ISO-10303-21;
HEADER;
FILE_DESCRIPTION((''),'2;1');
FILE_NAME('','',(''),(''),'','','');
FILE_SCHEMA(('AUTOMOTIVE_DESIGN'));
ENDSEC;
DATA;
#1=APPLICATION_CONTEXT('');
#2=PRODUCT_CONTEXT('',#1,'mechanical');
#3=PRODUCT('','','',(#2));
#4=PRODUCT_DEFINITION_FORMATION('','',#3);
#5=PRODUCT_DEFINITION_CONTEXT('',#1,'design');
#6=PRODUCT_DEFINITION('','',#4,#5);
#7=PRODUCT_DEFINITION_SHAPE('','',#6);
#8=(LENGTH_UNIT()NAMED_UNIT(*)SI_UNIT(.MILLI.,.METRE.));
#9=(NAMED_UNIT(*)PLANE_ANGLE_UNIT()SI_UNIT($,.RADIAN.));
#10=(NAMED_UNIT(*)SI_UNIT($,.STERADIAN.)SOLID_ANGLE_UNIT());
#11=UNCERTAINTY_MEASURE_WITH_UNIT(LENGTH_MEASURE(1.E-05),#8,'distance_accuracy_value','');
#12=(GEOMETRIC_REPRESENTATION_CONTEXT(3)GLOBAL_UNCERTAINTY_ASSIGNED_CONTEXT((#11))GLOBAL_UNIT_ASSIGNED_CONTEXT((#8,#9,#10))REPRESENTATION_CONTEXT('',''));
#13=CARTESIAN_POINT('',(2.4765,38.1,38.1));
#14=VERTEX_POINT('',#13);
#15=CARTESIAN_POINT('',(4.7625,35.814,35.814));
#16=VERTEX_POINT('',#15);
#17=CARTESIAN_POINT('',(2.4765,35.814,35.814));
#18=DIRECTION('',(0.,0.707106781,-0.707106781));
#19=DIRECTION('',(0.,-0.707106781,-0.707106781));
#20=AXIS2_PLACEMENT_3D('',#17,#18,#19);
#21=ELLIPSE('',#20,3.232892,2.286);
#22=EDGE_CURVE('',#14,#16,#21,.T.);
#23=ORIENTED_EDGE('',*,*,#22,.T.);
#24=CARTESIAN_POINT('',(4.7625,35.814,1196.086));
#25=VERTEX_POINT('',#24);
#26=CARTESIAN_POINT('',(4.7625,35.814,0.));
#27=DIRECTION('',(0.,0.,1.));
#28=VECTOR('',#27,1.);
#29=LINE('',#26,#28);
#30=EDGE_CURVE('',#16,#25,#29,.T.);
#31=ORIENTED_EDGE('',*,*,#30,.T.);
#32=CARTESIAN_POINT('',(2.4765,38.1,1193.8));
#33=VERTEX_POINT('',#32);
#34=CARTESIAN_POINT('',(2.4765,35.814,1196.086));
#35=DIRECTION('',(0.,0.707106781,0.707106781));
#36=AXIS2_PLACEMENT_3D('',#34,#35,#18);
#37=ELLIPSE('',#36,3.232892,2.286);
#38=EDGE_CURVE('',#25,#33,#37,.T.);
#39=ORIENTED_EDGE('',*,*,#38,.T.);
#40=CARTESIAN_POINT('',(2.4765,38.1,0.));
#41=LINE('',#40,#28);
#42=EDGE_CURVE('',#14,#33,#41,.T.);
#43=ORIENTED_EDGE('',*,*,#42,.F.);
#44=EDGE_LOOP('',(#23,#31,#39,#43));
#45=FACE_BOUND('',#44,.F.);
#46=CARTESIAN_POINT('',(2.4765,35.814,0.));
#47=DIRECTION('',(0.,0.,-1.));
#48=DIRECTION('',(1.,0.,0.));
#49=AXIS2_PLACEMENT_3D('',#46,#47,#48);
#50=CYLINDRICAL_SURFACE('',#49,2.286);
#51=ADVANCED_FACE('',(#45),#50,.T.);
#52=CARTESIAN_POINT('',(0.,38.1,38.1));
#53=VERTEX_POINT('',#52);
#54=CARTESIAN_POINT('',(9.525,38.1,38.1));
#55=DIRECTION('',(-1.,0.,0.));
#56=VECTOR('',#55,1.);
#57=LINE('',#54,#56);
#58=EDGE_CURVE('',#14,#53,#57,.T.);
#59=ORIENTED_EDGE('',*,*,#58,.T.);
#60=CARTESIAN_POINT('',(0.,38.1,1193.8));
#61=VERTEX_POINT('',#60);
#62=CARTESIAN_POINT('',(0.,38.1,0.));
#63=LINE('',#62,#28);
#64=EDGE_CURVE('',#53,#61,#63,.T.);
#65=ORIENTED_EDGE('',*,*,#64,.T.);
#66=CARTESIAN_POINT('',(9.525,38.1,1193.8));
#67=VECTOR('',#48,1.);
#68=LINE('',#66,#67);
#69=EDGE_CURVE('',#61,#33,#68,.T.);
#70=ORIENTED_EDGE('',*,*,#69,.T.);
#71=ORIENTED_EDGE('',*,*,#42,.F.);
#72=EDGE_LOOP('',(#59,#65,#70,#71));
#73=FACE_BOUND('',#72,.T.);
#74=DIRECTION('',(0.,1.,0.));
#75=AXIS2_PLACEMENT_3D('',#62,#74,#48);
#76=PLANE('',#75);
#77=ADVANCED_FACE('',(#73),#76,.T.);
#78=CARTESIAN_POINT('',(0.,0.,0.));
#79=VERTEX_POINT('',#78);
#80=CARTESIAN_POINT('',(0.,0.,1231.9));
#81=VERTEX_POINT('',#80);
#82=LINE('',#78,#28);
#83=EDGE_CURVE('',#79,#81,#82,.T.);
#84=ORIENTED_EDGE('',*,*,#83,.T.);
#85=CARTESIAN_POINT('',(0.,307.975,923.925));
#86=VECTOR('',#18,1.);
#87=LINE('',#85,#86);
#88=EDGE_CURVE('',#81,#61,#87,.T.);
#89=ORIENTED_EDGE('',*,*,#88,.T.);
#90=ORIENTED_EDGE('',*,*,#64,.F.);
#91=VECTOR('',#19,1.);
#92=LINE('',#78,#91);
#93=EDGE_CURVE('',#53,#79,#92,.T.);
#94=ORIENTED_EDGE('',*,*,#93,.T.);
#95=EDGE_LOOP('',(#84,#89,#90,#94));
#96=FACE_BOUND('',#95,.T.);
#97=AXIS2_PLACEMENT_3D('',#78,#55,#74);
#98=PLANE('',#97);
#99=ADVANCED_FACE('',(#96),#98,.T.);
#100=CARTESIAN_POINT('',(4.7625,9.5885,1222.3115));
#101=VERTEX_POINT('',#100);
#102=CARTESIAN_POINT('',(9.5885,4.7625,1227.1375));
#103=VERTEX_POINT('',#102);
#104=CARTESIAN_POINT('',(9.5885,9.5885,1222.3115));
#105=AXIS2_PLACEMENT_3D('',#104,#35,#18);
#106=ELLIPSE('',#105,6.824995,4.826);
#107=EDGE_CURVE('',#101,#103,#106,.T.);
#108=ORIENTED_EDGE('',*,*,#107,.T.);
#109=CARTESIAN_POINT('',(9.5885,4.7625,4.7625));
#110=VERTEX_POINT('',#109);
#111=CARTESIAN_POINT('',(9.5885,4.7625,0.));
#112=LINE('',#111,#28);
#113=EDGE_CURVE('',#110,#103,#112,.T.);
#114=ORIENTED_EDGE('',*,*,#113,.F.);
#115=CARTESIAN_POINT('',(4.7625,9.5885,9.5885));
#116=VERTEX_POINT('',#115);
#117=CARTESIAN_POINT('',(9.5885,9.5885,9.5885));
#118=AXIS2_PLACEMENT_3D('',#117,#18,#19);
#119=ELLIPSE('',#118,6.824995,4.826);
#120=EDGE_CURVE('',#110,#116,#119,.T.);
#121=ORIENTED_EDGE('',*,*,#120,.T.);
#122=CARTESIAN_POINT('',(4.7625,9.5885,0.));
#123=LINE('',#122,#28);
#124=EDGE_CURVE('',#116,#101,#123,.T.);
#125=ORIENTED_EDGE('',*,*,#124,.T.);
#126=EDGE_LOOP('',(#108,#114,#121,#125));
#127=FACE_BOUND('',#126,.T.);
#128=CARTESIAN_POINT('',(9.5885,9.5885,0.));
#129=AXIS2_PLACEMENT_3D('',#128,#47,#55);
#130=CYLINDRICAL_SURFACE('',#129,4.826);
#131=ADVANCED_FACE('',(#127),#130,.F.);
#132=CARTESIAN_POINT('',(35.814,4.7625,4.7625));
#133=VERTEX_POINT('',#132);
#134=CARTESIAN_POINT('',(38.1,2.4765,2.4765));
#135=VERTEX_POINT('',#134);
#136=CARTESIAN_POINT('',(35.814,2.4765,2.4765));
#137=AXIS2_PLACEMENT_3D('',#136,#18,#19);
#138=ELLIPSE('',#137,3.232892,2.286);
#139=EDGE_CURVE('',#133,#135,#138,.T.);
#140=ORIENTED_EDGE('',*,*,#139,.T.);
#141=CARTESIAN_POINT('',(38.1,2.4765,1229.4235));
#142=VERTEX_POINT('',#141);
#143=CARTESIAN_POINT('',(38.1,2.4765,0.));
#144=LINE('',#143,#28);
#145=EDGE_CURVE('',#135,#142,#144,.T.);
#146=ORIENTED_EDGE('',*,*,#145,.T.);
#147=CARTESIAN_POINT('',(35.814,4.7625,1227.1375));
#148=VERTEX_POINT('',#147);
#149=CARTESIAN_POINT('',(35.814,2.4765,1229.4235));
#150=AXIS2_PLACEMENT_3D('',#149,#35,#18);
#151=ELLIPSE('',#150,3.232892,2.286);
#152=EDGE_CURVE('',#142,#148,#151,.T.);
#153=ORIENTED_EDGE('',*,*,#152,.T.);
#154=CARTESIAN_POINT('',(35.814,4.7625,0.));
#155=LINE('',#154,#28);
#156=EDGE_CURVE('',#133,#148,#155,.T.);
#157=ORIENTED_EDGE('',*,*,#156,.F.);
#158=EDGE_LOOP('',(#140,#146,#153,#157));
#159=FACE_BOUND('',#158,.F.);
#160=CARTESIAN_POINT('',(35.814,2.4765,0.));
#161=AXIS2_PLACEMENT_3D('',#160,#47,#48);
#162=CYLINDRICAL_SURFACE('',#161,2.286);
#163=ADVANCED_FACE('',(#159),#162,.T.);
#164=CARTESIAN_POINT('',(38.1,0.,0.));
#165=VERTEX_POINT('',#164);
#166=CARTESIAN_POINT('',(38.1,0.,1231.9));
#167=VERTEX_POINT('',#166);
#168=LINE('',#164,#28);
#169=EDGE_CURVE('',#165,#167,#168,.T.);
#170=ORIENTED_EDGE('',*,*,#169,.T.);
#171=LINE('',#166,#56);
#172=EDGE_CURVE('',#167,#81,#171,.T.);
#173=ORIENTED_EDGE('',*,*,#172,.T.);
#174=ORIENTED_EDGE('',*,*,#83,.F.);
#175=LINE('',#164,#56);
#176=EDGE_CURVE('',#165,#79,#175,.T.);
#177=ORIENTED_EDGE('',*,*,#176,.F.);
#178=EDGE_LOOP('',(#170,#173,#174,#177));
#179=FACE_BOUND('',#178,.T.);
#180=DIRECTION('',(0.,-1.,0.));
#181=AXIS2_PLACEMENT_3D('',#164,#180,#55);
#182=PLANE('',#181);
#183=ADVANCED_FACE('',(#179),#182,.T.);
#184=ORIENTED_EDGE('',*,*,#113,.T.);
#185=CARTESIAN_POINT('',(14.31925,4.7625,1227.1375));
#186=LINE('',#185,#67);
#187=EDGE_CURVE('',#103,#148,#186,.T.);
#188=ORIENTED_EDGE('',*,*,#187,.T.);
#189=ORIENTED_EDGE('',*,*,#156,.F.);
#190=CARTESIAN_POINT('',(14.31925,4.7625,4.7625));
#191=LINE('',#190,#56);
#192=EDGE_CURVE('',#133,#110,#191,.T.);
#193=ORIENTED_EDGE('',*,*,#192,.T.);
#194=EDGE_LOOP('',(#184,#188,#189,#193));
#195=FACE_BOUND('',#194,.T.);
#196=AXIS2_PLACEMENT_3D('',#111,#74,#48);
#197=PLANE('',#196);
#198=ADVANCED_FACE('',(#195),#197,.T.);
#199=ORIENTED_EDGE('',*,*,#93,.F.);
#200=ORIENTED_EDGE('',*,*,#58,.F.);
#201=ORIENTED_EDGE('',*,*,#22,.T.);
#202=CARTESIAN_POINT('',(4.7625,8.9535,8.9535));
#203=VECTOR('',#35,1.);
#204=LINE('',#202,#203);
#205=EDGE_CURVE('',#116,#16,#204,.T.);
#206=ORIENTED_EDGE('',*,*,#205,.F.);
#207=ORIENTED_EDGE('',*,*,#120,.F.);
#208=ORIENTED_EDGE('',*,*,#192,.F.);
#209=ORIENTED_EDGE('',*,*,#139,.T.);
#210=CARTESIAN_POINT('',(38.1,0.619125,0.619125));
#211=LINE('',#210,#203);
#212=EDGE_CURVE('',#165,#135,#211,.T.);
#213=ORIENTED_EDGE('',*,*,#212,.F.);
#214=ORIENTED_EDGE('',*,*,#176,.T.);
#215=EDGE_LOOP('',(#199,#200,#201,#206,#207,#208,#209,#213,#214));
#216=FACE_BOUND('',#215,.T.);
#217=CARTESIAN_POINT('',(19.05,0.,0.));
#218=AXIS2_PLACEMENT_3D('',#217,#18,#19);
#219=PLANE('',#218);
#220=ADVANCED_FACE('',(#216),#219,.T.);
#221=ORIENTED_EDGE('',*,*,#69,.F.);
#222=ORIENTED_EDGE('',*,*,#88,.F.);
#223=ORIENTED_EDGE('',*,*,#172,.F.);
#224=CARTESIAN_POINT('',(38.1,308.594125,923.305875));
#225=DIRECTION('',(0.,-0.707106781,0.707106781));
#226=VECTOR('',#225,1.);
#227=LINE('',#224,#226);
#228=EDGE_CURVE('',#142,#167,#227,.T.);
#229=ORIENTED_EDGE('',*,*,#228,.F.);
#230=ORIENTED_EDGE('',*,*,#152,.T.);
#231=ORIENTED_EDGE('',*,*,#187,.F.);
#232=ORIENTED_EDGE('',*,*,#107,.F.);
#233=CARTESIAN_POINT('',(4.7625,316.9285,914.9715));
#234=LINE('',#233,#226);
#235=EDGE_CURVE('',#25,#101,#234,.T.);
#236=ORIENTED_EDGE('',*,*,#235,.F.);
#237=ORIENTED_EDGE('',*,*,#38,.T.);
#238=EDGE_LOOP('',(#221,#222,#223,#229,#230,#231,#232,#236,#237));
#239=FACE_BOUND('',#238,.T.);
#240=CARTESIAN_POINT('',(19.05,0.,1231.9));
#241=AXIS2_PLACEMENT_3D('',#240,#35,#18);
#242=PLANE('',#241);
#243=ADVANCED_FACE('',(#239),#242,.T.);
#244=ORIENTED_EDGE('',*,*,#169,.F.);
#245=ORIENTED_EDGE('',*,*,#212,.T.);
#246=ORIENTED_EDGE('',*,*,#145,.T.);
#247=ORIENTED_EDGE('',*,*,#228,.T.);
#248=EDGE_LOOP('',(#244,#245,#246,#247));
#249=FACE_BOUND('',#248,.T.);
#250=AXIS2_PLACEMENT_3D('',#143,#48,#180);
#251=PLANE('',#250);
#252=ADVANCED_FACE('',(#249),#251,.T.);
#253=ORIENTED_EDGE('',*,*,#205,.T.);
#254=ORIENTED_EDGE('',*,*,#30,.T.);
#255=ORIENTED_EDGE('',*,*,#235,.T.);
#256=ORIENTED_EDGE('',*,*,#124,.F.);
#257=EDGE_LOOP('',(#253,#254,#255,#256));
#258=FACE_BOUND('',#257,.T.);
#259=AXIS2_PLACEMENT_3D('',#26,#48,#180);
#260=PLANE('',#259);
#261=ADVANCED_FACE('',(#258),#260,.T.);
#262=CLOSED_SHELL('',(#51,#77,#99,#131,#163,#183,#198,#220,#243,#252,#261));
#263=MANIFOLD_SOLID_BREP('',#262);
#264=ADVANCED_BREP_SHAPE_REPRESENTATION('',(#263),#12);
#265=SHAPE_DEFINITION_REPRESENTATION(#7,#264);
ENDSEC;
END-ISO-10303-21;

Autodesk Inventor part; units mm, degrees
ref_plane "Start plane" through (0, 0, 0) normal (0, 0, 1) x (1, 0, 0)
ref_plane "End plane" through (0, 0, 1231.9) normal (0, 0, 1) x (1, 0, 0)
sketch "Sketch" plane through (0, 0, 0) normal (0, 0, 1) x (1, 0, 0)
  line L0 (38.1, 0) -> (0, 0)
  line L1 (0, 0) -> (0, 38.1)
  line L2 (0, 38.1) -> (2.4765, 38.1)
  line L3 (4.7625, 35.814) -> (4.7625, 9.5885)
  line L4 (9.5885, 4.7625) -> (35.814, 4.7625)
  line L5 (38.1, 2.4765) -> (38.1, 0)
  line L6 (0, -11.0414) -> (0, 31.5385) construction
  line L7 (-11.0414, 0) -> (31.5385, 0) construction
  arc A0 (4.7625, 9.5885) -> (9.5885, 4.7625) centre (9.5885, 9.5885) ccw
  arc A1 (4.7625, 35.814) -> (2.4765, 38.1) centre (2.4765, 35.814) ccw
  arc A2 (38.1, 2.4765) -> (35.814, 4.7625) centre (35.814, 2.4765) ccw
  line L8 (0, 48.4964) -> (0, -20.9644) construction
  line L9 (-20.9644, 0) -> (48.4964, 0) construction
  point P0 (4.7625, 38.1)
  point P1 (4.7625, 4.7625)
  point P2 (38.1, 4.7625)
  dimension "d0" = 38.1
  dimension "d1" = 38.1
  dimension "d2" = 4.7625
  dimension "d3" = 4.7625
  dimension "d10" = 0
  dimension "d11" = 0
  dimension "d14" = 4.826
  dimension "d15" = 2.286
extrude "Body" add sketch "Sketch" along normal up to surface (1231.9 mm away) from surface at 0
sketch "Sketch3" plane through (0, 0, 0) normal (0, 0, 1) x (1, 0, 0)
  line L0 (0, 0) -> (10, 0)
ref_plane "Work Plane3" through (0, 0, 0) normal (0, -1, 0) x (1, 0, 0)
sketch "Sketch4" plane through (0, 0, 0) normal (0, -1, 0) x (1, 0, 0)
  line L0 (-2, 0) -> (12, 0)
  line L1 (-2, 1231.9) -> (12, 1231.9)
  dimension "d17" = 1231.9
ref_plane "Work Plane4" through (19.05, 0, 0) normal (0, 0.7071, -0.7071) x (1, 0, 0)
split "Split1" plane through (19.05, 0, 0) removes the side toward (0, 0.7071, -0.7071)
ref_plane "Work Plane5" through (19.05, 0, 1231.9) normal (0, 0.7071, 0.7071) x (1, 0, 0)
split "Split2" plane through (19.05, 0, 1231.9) removes the side toward (0, 0.7071, 0.7071)
equation "\"d0\" = G_H"
equation "\"d1\" = G_H"
equation "\"d2\" = G_T"
equation "\"d3\" = G_T"
equation "\"d14\" = G_IR"
equation "\"d15\" = G_ER"
equation "\"d4\" = G_L"
equation "\"G_H\" = 38.1"
equation "\"G_T\" = 4.7625"
equation "\"G_ER\" = 2.286"
equation "\"G_IR\" = 4.826"
equation "\"G_L\" = d17"
equation "\"ex\" = 0"
equation "\"G_OFFSET_START\" = 0"
equation "\"G_OFFSET_END\" = 0"
equation "\"d13\" = G_OFFSET_END + B_L"
equation "\"B_L\" = 1231.9"
properties part number "AISC - L 1.5 x 1.5 x 3/16 - 48.5" material "Aluminum 6061"
